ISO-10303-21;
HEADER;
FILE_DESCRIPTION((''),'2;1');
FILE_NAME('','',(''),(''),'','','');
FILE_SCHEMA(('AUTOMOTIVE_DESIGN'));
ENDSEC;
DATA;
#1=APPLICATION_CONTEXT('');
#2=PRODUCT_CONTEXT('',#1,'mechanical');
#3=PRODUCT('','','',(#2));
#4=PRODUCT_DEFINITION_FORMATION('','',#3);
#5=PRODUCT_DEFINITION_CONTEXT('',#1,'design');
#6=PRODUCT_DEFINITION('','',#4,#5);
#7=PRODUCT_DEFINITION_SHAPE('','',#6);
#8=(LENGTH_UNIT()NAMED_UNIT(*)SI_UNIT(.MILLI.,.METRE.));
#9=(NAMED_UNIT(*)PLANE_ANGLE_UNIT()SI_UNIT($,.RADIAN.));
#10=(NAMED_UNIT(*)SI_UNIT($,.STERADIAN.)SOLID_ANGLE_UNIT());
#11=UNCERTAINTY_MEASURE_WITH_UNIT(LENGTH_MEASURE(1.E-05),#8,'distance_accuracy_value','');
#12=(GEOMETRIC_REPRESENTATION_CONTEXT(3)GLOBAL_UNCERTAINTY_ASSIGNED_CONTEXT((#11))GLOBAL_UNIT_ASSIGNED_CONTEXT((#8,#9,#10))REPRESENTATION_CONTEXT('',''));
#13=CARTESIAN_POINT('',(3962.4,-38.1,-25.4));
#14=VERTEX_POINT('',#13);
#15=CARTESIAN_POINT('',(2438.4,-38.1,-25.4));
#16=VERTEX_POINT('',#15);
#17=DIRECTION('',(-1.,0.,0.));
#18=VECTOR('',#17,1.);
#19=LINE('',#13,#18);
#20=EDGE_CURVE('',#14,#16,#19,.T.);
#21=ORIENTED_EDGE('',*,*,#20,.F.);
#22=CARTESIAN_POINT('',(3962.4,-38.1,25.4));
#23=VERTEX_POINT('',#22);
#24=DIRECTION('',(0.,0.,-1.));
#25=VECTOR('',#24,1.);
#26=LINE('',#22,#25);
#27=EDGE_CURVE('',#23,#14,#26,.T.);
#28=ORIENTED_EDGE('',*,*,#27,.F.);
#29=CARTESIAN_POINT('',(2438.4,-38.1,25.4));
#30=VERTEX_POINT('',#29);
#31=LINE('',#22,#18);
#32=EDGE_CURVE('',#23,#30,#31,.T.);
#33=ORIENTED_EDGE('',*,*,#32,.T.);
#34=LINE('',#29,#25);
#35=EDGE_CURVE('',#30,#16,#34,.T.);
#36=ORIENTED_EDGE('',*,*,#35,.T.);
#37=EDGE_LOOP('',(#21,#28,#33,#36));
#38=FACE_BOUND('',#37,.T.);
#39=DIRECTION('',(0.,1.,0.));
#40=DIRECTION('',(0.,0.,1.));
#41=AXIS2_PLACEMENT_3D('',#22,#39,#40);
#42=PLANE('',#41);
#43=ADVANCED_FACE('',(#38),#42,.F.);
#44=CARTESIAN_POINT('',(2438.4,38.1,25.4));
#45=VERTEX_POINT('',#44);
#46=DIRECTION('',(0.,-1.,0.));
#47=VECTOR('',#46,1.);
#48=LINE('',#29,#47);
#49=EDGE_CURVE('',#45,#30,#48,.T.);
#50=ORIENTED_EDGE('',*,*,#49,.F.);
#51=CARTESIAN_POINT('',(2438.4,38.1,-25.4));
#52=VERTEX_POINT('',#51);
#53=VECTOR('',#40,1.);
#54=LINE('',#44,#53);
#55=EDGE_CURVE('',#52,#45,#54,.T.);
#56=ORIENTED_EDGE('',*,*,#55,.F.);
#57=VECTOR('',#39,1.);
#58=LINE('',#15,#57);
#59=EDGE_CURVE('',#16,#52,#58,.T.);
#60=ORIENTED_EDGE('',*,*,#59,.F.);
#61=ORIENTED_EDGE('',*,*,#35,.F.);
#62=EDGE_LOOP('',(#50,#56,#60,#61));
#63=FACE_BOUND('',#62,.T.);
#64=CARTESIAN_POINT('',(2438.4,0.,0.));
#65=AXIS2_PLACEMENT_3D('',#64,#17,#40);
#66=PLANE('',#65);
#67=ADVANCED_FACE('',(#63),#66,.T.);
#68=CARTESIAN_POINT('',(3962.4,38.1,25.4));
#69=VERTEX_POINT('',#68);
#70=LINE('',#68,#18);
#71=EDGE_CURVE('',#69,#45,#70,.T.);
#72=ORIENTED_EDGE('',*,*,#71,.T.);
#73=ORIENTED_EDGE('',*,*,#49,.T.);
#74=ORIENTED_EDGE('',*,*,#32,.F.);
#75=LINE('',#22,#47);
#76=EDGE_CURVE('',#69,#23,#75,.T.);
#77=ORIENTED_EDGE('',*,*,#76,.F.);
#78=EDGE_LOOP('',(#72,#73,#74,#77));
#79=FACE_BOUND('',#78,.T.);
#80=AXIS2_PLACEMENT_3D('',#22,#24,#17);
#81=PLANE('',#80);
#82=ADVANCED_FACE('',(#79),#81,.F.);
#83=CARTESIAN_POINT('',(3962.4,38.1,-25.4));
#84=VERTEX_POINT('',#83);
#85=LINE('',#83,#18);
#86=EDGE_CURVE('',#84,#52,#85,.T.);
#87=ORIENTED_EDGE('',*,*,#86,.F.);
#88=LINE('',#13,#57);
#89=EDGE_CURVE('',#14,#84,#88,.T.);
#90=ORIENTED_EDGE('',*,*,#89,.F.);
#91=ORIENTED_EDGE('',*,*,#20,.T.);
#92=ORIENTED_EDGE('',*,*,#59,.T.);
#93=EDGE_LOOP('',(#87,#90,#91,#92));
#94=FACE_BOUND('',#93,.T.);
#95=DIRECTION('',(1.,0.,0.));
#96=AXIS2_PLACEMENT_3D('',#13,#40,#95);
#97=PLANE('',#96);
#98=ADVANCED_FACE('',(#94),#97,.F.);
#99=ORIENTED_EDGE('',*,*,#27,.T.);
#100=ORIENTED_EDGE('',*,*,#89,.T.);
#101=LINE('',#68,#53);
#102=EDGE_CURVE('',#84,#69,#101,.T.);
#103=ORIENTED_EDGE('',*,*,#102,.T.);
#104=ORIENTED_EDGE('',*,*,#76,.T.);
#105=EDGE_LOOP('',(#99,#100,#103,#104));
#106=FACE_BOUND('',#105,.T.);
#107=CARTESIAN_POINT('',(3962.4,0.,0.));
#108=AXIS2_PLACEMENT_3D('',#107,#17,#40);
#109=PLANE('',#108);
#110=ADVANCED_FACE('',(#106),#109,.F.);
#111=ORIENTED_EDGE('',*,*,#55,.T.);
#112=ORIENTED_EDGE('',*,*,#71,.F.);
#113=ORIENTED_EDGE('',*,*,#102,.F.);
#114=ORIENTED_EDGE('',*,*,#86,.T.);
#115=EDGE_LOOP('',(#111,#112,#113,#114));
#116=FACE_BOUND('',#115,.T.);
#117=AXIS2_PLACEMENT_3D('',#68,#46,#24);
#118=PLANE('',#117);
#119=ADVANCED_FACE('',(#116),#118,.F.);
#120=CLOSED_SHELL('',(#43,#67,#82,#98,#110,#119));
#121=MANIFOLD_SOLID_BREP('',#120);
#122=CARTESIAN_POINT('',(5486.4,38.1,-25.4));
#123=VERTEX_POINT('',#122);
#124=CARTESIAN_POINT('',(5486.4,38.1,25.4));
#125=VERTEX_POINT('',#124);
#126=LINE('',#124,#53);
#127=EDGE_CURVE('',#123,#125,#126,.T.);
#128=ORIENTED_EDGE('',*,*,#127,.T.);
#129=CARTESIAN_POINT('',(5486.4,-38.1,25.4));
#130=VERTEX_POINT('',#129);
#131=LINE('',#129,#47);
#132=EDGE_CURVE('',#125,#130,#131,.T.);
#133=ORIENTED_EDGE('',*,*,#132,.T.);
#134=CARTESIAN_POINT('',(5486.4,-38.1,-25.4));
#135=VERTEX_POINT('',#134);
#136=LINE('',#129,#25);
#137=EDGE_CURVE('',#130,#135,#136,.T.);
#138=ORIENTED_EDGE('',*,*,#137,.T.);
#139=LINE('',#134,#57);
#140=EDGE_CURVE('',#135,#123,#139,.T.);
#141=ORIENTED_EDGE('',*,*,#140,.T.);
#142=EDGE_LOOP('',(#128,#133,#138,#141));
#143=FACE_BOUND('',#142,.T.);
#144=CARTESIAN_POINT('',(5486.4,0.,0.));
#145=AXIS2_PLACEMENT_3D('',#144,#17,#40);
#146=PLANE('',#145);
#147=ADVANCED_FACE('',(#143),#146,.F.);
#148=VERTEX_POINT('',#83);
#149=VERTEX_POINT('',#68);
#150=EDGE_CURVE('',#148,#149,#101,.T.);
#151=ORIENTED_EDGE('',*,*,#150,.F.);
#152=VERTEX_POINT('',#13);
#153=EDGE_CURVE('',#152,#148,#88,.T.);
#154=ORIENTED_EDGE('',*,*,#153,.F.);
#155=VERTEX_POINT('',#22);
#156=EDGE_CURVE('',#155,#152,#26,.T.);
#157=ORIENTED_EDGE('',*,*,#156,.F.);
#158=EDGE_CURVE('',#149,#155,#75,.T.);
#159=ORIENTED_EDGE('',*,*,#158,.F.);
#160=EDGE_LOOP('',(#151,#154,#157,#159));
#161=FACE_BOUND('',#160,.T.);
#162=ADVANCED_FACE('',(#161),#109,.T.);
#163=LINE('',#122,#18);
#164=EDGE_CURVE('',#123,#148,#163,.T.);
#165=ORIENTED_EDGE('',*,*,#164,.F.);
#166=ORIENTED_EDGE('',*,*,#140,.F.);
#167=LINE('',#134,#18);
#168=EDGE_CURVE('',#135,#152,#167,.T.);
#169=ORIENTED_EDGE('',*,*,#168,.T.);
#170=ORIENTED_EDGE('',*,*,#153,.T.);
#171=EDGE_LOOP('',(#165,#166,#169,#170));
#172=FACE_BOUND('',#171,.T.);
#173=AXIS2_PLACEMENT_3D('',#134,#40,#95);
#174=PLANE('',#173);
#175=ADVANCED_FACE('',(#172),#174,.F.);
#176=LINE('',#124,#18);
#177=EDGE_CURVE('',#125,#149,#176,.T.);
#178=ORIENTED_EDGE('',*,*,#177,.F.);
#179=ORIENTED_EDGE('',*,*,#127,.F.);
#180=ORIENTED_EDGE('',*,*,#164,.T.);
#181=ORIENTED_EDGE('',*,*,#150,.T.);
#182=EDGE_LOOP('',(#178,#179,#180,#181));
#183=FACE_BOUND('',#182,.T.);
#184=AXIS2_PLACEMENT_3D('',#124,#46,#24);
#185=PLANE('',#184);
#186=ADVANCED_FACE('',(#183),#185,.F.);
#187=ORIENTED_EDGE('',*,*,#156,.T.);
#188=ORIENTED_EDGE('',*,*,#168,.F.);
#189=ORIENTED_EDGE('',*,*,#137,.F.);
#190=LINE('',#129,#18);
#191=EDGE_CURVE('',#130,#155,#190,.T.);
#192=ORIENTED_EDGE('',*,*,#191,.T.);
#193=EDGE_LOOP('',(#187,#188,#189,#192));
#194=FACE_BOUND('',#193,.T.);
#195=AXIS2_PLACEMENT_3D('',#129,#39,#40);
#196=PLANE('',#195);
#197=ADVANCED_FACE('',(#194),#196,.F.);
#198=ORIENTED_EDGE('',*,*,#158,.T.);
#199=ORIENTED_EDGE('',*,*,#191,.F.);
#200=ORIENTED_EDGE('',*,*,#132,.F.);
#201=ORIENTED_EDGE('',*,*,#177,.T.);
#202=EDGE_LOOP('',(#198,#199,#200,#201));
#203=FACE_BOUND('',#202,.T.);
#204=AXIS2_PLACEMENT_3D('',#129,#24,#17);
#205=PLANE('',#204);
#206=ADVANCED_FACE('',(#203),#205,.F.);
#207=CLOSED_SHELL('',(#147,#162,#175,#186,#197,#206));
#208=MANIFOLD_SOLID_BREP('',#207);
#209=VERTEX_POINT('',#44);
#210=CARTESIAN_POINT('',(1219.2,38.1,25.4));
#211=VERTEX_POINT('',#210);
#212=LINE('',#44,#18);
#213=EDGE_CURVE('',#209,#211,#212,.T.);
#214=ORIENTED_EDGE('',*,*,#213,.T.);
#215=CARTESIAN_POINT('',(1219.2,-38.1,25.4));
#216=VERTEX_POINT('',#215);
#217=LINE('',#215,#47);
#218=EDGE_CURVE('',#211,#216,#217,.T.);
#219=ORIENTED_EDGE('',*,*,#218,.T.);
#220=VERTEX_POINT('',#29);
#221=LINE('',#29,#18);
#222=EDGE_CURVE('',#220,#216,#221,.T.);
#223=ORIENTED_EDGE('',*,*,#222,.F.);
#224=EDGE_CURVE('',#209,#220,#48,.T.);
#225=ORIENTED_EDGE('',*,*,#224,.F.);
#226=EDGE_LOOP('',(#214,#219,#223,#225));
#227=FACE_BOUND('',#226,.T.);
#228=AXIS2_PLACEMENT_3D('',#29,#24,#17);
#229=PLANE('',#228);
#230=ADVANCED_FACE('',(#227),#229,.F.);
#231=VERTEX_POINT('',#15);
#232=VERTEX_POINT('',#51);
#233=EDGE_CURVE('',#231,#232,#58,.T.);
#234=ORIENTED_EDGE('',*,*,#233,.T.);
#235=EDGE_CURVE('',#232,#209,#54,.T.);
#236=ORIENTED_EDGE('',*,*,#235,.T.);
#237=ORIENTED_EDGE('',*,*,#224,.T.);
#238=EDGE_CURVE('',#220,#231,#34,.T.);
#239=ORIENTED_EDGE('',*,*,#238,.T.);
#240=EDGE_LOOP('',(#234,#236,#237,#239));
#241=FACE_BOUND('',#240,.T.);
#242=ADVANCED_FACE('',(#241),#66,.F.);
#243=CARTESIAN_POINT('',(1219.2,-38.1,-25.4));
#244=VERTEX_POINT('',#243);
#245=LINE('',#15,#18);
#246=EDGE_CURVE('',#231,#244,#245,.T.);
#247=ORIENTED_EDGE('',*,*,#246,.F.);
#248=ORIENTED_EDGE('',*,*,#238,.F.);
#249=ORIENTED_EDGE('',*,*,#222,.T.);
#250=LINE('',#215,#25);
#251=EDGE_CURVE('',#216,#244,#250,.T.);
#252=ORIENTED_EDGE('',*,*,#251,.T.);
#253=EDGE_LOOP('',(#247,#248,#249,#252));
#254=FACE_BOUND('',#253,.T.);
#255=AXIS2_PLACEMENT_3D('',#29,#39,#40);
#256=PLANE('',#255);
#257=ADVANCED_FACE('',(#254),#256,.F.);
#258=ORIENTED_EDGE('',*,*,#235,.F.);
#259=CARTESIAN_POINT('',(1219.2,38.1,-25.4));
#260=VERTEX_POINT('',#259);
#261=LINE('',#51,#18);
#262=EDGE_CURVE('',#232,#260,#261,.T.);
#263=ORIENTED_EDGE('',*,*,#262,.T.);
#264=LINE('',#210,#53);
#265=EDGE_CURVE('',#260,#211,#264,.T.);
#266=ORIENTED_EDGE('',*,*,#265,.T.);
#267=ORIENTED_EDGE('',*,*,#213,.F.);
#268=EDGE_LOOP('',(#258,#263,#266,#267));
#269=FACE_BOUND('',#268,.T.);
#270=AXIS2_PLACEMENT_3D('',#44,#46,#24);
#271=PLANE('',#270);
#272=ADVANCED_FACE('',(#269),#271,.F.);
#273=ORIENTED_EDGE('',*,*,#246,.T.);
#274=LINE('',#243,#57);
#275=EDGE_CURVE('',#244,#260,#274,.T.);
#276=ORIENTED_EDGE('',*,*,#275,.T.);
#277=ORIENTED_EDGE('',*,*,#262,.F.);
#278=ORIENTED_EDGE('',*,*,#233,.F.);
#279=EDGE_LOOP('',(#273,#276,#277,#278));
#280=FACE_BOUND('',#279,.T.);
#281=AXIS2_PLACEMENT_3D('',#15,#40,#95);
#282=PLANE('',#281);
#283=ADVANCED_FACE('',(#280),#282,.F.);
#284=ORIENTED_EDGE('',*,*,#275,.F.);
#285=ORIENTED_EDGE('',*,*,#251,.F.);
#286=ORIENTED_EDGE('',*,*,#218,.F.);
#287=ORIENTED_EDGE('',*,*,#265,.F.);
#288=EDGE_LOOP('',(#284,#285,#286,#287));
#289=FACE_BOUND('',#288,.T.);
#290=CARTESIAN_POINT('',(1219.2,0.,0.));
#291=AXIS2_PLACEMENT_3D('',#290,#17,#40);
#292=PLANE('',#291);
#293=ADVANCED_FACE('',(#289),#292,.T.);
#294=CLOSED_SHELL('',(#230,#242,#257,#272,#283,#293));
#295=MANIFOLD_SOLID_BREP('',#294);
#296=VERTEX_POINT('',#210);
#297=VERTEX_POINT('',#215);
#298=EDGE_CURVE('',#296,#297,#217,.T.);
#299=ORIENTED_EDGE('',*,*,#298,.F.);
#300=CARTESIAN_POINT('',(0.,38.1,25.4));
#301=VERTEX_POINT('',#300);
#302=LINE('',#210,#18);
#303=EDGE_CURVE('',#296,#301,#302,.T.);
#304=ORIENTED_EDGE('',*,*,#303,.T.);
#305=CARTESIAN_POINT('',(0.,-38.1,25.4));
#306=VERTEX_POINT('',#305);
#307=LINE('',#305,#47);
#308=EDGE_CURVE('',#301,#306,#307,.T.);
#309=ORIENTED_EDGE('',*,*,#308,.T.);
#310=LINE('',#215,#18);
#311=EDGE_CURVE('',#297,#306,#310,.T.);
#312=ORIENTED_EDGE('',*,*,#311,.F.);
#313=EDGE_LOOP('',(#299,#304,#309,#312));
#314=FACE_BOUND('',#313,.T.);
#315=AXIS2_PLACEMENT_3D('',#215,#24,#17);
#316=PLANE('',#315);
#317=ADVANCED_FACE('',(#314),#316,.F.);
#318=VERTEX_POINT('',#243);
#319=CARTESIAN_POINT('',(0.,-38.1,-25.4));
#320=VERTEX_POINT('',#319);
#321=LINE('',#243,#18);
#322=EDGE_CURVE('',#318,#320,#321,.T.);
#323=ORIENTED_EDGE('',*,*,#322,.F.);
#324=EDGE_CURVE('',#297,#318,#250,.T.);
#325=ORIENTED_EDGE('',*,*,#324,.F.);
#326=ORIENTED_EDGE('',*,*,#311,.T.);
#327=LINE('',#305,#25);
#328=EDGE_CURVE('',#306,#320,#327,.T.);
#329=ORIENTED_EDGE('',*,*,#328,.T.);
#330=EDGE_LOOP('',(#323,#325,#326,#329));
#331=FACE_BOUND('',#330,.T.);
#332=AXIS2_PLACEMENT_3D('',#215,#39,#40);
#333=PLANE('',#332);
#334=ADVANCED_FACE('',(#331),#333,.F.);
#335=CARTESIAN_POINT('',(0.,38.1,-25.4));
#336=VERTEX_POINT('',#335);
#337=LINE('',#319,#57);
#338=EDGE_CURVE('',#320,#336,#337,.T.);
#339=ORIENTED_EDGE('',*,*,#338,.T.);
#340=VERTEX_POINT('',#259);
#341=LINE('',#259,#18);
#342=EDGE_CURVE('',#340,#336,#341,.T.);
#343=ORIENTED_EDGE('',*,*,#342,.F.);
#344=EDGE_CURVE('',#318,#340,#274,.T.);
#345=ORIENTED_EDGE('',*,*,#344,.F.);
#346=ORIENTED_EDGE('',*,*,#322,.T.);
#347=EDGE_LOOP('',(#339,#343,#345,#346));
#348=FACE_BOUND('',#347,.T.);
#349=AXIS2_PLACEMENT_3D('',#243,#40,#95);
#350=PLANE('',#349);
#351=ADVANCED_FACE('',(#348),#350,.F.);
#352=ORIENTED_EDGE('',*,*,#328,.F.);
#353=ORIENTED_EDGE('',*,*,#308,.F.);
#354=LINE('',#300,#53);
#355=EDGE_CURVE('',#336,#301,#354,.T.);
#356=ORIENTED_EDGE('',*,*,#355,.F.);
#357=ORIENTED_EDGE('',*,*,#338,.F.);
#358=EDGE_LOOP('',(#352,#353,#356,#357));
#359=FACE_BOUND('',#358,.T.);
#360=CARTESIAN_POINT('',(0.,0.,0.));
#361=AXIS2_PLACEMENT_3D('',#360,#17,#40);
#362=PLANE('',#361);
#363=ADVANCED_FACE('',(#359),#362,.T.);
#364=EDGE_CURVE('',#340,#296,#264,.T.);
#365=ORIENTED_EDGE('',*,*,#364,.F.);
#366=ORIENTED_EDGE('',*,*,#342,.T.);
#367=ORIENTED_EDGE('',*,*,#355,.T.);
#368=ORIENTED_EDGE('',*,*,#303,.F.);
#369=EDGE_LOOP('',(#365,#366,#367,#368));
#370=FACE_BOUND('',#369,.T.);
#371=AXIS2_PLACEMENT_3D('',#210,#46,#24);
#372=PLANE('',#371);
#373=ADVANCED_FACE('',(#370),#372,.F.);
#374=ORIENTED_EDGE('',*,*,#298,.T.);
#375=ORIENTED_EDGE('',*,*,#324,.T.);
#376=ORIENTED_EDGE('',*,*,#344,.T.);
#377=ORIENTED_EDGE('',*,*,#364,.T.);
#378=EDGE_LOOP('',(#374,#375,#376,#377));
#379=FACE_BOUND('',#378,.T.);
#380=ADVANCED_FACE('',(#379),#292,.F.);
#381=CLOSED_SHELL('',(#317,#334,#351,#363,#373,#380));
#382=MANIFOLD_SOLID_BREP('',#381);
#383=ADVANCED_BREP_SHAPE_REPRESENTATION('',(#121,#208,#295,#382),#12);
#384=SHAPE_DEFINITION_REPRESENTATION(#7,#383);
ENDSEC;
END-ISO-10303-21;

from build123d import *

# Parameters (mm, degrees)
SKETCH2_W           = 50.8
SKETCH2_H           = 76.2
BOSS_EXTRUDE1_DEPTH = 1219.2
BOSS_EXTRUDE5_START = 1219.2
SKETCH2_8_W         = 50.8
SKETCH2_8_H         = 76.2
BOSS_EXTRUDE5_DEPTH = 1219.2
BOSS_EXTRUDE6_START = 2438.4
SKETCH2_9_W         = 50.8
SKETCH2_9_H         = 76.2
BOSS_EXTRUDE6_DEPTH = 1524
BOSS_EXTRUDE7_START = 3962.4
SKETCH2_10_W        = 50.8
SKETCH2_10_H        = 76.2
BOSS_EXTRUDE7_DEPTH = 1524


with BuildPart() as part:
    # Sketch2 → Boss-Extrude1 (new body)
    with BuildSketch(Plane(origin=(0, 0, 0), x_dir=(0, 0, -1), z_dir=(1, 0, 0))):
        Rectangle(SKETCH2_W, SKETCH2_H)
    extrude(amount=BOSS_EXTRUDE1_DEPTH)


with BuildPart() as body_2:
    # Sketch2<8> → Boss-Extrude5 (new body)
    with BuildSketch(Plane(origin=(0, 0, 0), x_dir=(0, 0, -1), z_dir=(1, 0, 0)).offset(BOSS_EXTRUDE5_START)):
        Rectangle(SKETCH2_8_W, SKETCH2_8_H)
    extrude(amount=BOSS_EXTRUDE5_DEPTH)


with BuildPart() as body_3:
    # Sketch2<9> → Boss-Extrude6 (new body)
    with BuildSketch(Plane(origin=(0, 0, 0), x_dir=(0, 0, -1), z_dir=(1, 0, 0)).offset(BOSS_EXTRUDE6_START)):
        Rectangle(SKETCH2_9_W, SKETCH2_9_H)
    extrude(amount=BOSS_EXTRUDE6_DEPTH)


with BuildPart() as body_4:
    # Sketch2<10> → Boss-Extrude7 (new body)
    with BuildSketch(Plane(origin=(0, 0, 0), x_dir=(0, 0, -1), z_dir=(1, 0, 0)).offset(BOSS_EXTRUDE7_START)):
        Rectangle(SKETCH2_10_W, SKETCH2_10_H)
    extrude(amount=BOSS_EXTRUDE7_DEPTH)


solid = Compound([part.part, body_2.part, body_3.part, body_4.part])
